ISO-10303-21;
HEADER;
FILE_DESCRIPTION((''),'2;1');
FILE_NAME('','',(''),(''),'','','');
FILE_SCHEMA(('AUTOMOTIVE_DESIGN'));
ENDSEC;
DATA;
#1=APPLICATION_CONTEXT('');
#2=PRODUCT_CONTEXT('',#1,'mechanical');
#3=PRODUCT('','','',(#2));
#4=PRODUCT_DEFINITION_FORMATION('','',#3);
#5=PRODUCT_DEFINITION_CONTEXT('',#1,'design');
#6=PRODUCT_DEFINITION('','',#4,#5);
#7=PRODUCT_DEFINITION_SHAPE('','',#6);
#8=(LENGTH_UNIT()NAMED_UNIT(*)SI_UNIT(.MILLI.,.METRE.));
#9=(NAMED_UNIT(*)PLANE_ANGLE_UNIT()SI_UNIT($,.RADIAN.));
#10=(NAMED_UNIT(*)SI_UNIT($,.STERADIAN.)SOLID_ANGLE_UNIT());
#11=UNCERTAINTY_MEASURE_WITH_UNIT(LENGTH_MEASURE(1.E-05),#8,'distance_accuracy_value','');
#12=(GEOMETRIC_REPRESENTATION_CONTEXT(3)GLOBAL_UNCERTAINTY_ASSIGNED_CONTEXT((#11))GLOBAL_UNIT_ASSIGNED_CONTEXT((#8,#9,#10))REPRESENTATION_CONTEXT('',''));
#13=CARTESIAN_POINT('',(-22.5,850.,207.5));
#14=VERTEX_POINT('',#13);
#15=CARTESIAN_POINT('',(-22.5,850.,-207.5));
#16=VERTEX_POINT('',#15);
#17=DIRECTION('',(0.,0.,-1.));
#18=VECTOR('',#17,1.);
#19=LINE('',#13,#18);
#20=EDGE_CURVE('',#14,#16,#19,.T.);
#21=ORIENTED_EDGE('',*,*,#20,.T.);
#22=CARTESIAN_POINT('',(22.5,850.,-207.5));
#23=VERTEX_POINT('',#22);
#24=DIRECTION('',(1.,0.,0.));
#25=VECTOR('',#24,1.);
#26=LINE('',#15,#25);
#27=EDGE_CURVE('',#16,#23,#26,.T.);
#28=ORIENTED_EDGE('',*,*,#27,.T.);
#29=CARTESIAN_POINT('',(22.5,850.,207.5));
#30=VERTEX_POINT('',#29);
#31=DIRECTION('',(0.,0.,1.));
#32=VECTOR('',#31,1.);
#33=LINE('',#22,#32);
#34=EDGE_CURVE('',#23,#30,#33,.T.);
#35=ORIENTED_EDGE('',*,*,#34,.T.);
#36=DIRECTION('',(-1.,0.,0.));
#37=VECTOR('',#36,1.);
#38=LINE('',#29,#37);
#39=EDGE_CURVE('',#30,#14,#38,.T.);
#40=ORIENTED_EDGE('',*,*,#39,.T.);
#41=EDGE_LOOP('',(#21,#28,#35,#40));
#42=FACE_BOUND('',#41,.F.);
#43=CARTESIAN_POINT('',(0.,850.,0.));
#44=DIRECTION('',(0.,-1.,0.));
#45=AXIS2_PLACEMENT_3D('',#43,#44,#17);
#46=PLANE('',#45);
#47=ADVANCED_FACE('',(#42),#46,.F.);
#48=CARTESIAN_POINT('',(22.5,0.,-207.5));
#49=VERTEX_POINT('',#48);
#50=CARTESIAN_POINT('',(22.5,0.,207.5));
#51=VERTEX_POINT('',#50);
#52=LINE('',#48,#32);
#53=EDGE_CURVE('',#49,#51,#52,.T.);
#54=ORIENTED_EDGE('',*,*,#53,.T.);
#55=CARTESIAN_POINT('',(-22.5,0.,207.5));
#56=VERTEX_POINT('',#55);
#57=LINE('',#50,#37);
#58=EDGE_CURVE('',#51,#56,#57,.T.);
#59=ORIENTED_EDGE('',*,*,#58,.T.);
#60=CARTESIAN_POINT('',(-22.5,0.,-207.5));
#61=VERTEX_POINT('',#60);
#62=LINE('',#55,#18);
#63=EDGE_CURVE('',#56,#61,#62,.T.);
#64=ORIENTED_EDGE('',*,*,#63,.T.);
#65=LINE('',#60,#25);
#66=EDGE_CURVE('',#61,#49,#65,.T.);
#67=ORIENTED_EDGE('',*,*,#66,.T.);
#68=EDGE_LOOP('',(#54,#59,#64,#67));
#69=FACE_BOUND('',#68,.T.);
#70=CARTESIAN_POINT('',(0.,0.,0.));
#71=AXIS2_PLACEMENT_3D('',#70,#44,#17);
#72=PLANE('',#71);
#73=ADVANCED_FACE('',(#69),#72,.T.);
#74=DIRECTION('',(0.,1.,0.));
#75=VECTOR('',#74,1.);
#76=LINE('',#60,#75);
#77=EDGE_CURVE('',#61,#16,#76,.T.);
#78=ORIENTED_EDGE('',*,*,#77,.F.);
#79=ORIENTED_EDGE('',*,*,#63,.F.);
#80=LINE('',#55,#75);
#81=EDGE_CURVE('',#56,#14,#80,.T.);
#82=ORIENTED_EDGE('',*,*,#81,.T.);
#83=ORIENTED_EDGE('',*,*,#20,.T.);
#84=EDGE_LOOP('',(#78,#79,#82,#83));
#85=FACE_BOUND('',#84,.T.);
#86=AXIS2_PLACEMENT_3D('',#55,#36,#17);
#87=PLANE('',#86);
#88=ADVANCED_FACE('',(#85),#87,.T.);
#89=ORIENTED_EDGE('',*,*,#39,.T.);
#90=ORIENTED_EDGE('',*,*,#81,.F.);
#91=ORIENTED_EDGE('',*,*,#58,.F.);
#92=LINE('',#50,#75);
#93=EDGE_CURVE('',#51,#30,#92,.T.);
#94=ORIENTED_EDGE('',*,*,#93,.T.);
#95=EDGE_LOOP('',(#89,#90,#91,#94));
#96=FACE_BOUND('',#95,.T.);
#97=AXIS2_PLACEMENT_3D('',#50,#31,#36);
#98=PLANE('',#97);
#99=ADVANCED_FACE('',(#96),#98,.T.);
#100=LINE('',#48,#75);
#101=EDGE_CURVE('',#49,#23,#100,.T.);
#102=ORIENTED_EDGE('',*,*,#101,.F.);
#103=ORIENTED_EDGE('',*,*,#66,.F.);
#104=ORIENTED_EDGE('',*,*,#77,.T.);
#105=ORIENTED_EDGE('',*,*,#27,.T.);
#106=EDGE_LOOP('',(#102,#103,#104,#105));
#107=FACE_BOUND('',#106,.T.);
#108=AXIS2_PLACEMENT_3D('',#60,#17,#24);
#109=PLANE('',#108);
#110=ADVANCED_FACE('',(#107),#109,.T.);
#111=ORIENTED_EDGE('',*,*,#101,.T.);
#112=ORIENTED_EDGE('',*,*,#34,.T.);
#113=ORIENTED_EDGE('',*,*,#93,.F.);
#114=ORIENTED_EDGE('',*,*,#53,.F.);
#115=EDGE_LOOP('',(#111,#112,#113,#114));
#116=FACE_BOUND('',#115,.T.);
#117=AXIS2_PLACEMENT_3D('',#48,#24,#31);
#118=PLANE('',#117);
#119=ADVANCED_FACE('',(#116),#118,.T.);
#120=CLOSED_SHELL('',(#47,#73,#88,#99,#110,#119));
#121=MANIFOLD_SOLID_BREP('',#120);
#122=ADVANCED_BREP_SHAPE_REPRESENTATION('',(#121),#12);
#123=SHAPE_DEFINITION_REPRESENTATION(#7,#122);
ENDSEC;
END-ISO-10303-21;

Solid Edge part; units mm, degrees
sketch "Sketch1" plane through (0, 0, 0) normal (0, -1, 0) x (1, 0, 0)
  line L0 (-22.5, -207.5) -> (22.5, -207.5)
  line L1 (22.5, -207.5) -> (22.5, 207.5)
  line L2 (22.5, 207.5) -> (-22.5, 207.5)
  line L3 (-22.5, 207.5) -> (-22.5, -207.5)
extrude "Protrusion1" add sketch "Sketch1" against normal blind 850
